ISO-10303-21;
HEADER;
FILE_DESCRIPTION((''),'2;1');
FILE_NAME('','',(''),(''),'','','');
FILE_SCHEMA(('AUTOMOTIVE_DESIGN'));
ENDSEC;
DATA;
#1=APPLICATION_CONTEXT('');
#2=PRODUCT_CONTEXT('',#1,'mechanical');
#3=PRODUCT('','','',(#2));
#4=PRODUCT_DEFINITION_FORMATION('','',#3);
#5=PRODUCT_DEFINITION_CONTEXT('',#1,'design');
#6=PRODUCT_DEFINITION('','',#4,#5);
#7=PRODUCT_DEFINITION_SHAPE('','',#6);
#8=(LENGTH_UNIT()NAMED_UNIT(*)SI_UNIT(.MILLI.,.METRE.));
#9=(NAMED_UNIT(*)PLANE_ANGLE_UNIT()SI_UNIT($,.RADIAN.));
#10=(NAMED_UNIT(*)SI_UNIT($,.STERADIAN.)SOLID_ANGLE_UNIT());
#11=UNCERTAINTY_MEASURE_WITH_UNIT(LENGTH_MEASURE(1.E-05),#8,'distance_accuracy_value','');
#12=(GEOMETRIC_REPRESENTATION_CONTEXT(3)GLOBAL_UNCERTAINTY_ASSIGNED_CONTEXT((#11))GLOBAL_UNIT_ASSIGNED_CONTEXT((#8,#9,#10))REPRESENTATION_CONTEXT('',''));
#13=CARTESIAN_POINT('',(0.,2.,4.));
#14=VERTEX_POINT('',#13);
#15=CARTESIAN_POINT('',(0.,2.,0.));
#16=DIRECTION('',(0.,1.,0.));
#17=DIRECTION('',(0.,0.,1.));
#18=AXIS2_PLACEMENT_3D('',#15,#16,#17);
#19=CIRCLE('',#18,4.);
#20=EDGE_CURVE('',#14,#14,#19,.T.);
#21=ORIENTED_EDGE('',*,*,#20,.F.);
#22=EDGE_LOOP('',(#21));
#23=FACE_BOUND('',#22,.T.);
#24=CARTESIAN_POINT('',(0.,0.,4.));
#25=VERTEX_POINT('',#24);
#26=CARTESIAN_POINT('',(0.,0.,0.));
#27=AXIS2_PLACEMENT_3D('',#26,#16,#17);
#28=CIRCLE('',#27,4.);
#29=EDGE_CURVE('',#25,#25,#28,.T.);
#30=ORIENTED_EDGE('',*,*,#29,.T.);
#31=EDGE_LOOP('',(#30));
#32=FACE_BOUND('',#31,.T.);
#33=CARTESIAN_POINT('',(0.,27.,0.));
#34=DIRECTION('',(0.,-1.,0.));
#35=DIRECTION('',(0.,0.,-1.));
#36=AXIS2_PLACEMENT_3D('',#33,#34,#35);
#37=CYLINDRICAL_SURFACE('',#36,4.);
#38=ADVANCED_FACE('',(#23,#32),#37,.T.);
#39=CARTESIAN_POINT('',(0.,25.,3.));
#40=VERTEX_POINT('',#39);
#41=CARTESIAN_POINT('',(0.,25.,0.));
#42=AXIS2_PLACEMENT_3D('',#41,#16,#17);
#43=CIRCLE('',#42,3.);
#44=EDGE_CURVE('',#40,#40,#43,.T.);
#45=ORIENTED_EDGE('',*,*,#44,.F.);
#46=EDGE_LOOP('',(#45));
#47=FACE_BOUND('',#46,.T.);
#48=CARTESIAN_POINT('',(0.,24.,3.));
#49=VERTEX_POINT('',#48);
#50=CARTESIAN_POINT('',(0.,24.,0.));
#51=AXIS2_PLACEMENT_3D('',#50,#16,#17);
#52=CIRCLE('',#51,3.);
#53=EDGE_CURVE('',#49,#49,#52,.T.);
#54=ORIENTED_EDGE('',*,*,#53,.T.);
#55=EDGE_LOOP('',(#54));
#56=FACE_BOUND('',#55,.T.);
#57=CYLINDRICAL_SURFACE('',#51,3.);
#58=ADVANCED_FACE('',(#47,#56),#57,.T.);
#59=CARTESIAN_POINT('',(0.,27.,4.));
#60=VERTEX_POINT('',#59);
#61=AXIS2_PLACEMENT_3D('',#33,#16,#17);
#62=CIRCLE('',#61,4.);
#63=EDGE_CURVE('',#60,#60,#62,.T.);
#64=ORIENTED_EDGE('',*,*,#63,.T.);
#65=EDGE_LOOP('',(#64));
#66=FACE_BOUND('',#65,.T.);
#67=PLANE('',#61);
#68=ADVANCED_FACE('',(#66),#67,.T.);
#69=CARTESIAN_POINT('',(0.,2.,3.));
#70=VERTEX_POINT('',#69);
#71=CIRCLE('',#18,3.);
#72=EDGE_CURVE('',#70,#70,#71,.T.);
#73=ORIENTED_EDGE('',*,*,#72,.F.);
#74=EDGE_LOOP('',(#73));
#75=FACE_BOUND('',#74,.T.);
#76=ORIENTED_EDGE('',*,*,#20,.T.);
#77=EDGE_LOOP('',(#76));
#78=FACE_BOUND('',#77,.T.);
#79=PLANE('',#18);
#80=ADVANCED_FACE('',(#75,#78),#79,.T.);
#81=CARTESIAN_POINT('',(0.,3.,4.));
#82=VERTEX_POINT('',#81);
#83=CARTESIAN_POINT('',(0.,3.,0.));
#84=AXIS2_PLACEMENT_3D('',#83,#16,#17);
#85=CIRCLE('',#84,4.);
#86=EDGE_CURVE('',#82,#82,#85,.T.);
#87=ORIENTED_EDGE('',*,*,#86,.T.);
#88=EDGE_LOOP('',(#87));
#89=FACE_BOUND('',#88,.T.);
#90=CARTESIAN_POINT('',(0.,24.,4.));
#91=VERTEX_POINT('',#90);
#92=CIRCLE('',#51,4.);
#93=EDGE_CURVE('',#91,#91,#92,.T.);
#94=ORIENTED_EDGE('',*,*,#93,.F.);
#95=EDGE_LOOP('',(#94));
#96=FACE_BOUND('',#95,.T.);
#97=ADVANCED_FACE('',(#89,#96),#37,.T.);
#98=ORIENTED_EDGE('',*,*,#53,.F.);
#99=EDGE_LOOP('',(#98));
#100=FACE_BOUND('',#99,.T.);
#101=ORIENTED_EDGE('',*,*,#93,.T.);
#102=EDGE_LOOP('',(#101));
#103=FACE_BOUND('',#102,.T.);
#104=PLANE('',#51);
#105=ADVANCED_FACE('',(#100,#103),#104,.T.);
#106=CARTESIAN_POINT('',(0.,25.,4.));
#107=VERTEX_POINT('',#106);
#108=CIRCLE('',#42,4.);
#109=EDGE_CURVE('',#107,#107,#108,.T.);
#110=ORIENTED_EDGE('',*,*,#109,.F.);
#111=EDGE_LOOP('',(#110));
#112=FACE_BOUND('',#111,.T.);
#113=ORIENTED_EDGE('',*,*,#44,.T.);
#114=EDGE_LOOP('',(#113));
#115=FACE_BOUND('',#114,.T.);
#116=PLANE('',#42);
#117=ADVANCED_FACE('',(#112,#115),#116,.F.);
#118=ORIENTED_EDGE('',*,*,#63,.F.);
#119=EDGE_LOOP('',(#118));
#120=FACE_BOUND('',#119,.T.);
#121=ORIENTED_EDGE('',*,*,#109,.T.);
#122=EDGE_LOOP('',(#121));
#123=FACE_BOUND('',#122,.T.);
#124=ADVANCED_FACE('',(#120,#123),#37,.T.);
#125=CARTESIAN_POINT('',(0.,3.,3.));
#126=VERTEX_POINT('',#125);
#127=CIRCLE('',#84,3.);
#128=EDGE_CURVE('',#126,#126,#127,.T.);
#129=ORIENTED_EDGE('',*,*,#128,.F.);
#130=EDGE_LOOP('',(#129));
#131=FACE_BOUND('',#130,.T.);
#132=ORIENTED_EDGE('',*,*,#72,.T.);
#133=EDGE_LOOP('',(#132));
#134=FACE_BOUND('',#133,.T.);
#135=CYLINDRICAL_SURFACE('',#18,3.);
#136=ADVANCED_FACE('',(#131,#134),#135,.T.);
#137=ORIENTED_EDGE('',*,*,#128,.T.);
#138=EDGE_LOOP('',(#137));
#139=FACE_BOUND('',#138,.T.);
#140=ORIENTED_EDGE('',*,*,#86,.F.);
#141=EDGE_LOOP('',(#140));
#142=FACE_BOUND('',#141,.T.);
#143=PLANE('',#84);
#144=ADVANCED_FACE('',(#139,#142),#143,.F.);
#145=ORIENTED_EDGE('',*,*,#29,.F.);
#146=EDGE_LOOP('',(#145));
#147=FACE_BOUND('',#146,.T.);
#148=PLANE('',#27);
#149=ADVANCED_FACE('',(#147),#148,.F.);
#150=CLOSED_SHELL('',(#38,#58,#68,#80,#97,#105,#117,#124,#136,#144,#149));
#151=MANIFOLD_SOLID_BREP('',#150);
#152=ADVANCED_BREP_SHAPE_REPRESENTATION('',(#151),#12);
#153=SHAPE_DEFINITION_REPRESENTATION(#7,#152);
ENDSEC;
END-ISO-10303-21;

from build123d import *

# Parameters (mm, degrees)
SKETCH1_R           = 4
BOSS_EXTRUDE1_DEPTH = 27
CUT_EXTRUDE1_START  = -3
SKETCH2_R           = 4
SKETCH2_R_2         = 3
CUT_EXTRUDE1_DEPTH  = 1
CUT_EXTRUDE2_START  = -25
SKETCH2_2_R         = 4
SKETCH2_2_R_2       = 3
CUT_EXTRUDE2_DEPTH  = 1


with BuildPart() as part:
    # Sketch1 → Boss-Extrude1 (new body)
    with BuildSketch(Plane(origin=(0, 0, 0), x_dir=(1, 0, 0), z_dir=(0, 1, 0))):
        Circle(SKETCH1_R)
    extrude(amount=BOSS_EXTRUDE1_DEPTH)

    # Sketch2 → Cut-Extrude1 (cut)
    with BuildSketch(Plane(origin=(0, 27, 0), x_dir=(1, 0, 0), z_dir=(0, 1, 0)).offset(CUT_EXTRUDE1_START)):
        Circle(SKETCH2_R)
        Circle(SKETCH2_R_2, mode=Mode.SUBTRACT)
    extrude(amount=CUT_EXTRUDE1_DEPTH, mode=Mode.SUBTRACT)

    # Sketch2<2> → Cut-Extrude2 (cut)
    with BuildSketch(Plane(origin=(0, 27, 0), x_dir=(1, 0, 0), z_dir=(0, 1, 0)).offset(CUT_EXTRUDE2_START)):
        Circle(SKETCH2_2_R)
        Circle(SKETCH2_2_R_2, mode=Mode.SUBTRACT)
    extrude(amount=CUT_EXTRUDE2_DEPTH, mode=Mode.SUBTRACT)


solid = part.part
